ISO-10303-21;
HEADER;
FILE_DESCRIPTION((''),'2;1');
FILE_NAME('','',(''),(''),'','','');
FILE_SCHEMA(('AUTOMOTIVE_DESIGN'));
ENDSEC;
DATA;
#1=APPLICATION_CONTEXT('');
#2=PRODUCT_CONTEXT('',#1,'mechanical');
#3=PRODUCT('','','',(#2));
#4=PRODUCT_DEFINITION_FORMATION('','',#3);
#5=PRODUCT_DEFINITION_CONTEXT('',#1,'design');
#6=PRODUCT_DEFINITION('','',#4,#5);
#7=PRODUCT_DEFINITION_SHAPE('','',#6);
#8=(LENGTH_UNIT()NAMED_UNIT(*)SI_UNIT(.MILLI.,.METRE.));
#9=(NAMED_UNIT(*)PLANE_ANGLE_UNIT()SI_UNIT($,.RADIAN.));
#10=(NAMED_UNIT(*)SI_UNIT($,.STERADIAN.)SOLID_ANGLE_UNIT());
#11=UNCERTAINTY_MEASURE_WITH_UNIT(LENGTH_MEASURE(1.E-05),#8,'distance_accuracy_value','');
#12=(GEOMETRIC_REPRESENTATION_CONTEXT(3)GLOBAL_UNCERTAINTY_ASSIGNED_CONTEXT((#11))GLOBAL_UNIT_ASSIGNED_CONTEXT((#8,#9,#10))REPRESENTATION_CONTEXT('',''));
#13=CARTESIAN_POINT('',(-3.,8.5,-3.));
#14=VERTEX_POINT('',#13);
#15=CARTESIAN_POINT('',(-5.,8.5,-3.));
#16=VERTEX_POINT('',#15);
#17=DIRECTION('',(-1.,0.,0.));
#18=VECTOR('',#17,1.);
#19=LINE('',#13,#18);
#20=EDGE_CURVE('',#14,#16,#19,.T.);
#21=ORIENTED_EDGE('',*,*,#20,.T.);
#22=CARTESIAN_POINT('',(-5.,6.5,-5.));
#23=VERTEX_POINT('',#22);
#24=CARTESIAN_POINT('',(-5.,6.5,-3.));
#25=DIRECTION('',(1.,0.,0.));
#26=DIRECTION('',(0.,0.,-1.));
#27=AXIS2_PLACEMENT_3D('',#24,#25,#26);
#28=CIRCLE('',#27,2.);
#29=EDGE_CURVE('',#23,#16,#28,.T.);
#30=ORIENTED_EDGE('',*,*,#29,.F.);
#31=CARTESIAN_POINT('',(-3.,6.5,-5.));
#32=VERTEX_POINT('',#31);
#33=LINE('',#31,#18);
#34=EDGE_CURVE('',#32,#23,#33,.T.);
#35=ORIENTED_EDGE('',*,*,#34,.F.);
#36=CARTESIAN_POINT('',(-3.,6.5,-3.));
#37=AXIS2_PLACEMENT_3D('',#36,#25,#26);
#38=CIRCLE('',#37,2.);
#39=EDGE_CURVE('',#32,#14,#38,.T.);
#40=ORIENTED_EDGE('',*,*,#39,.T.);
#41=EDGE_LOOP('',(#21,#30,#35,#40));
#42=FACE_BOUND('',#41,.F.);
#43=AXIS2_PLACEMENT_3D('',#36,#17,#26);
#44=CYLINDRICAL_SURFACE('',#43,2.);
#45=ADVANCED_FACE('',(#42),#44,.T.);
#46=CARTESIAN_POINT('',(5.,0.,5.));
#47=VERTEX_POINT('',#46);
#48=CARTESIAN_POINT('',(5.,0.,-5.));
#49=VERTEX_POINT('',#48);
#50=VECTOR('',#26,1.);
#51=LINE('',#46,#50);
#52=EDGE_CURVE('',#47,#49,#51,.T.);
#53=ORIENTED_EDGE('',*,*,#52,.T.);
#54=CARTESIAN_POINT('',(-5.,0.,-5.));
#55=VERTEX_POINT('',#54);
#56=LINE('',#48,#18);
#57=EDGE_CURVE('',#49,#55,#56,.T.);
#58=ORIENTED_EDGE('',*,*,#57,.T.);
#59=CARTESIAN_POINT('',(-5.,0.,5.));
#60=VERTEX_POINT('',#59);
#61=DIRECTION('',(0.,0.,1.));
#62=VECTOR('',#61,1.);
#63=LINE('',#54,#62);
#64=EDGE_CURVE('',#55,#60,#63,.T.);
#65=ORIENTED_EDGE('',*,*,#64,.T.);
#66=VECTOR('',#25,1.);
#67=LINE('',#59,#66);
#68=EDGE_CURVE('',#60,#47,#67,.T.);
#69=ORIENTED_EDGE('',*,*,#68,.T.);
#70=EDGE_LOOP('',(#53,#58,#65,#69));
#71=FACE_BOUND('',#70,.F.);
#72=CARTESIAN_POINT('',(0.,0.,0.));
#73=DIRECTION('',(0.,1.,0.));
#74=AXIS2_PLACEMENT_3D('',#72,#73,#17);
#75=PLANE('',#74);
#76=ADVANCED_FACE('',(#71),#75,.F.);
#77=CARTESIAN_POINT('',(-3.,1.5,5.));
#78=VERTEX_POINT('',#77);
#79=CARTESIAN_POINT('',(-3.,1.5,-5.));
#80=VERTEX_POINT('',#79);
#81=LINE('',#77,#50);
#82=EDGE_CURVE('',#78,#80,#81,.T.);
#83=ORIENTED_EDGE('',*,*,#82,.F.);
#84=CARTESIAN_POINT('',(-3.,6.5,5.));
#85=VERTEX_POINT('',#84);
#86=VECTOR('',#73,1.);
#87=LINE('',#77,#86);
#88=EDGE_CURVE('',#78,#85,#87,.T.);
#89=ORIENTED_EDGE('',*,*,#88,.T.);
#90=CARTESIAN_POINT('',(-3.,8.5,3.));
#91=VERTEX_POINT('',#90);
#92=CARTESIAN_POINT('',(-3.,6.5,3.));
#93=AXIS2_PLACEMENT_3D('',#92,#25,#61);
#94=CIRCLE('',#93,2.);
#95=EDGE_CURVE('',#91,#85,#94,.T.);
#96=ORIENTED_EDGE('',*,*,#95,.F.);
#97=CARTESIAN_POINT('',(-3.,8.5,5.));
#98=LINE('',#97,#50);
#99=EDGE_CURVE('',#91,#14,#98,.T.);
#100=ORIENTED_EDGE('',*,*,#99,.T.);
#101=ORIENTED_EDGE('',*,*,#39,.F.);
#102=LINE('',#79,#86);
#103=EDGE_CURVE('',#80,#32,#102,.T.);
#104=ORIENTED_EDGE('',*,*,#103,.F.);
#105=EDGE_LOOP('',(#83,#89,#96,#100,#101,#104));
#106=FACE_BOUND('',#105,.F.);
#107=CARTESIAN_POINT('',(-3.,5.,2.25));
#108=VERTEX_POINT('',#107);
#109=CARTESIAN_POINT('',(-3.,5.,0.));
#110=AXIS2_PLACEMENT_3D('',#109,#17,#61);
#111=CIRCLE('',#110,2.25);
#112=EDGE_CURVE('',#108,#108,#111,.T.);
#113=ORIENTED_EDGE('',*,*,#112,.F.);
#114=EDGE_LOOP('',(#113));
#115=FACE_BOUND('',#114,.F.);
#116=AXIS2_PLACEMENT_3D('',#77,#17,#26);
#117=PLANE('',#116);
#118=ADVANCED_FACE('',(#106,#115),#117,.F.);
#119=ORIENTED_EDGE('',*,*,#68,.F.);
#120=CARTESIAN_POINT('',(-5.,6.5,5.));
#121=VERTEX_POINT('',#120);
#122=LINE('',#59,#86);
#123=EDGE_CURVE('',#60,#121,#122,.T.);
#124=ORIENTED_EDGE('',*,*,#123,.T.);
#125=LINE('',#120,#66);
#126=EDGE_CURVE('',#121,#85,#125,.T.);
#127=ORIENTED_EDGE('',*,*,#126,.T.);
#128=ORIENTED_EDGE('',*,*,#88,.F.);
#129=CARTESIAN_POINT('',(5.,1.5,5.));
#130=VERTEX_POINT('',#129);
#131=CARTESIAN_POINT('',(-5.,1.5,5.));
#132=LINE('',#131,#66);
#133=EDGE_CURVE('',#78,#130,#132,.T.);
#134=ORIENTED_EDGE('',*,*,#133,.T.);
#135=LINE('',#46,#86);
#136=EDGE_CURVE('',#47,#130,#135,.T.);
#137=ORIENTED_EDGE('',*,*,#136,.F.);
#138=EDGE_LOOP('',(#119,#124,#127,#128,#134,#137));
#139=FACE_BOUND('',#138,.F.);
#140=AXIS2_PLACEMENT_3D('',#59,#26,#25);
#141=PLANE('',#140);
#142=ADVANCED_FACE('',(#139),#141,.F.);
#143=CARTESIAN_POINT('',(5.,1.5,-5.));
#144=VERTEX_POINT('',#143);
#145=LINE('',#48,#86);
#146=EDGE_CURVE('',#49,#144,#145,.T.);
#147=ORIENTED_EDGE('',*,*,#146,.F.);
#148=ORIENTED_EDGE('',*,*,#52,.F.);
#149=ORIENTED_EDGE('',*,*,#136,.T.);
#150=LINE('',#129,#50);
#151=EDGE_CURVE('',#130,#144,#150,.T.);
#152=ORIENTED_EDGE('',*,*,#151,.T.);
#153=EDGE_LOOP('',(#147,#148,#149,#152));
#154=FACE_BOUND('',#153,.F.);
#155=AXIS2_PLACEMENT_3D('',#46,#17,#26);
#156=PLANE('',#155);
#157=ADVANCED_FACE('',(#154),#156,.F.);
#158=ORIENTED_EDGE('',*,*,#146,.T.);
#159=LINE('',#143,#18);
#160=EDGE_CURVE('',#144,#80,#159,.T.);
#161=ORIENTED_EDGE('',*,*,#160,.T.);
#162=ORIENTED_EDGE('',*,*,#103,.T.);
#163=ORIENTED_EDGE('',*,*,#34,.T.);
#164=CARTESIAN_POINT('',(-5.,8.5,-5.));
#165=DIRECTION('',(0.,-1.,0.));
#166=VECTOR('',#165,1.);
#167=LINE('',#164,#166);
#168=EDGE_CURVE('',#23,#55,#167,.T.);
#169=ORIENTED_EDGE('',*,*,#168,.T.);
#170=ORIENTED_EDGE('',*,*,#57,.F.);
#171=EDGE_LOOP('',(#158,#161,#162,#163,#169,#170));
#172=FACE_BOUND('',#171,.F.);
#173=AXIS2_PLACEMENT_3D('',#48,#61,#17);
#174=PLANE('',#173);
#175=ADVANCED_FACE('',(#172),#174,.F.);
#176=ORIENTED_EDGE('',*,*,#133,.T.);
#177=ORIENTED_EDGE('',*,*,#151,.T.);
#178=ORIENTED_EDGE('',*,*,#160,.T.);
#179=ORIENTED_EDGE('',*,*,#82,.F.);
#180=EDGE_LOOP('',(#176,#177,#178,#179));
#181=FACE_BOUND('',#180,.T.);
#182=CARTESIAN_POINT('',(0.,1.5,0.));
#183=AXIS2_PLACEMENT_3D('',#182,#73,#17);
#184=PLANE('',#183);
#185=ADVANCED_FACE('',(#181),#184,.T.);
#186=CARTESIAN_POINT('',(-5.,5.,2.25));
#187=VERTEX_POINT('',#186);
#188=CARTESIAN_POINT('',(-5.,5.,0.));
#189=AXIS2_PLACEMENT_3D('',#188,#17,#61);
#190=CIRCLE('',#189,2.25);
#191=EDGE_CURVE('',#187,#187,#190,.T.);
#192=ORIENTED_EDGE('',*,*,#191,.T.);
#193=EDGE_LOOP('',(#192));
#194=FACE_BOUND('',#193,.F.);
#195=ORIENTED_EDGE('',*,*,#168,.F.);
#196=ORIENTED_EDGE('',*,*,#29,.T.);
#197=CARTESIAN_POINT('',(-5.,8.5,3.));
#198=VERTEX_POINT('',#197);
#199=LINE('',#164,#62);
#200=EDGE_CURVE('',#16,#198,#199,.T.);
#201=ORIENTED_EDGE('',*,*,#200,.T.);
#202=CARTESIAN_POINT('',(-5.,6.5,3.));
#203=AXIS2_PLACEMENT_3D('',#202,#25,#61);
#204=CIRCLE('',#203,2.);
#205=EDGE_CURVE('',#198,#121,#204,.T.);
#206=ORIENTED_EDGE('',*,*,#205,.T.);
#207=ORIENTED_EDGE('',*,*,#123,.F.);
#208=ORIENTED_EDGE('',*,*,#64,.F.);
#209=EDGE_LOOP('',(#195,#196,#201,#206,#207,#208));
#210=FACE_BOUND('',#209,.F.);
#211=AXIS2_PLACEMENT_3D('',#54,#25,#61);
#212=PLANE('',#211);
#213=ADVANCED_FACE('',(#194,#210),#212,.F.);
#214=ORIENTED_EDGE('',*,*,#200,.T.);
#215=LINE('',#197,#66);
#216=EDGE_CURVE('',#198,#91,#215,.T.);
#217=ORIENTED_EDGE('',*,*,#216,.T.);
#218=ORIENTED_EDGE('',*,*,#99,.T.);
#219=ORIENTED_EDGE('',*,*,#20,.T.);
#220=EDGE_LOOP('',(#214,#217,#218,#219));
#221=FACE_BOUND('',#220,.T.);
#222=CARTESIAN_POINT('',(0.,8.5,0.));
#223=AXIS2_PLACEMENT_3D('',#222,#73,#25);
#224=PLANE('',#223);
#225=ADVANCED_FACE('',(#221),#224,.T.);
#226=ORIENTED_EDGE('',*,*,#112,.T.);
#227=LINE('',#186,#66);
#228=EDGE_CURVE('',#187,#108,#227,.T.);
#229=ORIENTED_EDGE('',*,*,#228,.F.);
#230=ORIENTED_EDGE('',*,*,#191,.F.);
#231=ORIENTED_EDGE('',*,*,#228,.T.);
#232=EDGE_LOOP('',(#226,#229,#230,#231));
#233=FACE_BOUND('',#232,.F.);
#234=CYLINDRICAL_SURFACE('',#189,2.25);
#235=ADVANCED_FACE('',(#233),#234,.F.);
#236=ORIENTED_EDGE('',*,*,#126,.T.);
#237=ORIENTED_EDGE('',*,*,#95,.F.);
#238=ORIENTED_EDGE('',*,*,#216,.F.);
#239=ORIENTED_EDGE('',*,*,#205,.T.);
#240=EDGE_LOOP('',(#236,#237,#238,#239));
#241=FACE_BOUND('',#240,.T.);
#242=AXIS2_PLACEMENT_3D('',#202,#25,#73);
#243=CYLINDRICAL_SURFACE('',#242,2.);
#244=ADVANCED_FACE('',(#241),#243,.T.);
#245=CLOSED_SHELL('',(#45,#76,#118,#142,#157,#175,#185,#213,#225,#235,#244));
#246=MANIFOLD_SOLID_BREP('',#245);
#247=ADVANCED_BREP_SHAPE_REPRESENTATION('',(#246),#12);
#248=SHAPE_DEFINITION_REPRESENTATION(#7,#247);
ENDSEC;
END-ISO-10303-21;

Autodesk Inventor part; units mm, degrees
ref_plane "YZ Plane" through (0, 0, 0) normal (1, 0, 0) x (0, 1, 0)
ref_plane "XZ Plane" through (0, 0, 0) normal (0, 1, 0) x (-1, 0, 0)
ref_plane "XY Plane" through (0, 0, 0) normal (0, 0, 1) x (1, 0, 0)
sketch "Sketch1" plane through (0, 0, 0) normal (0, 1, 0) x (-1, 0, 0)
  line L0 (5, 5) -> (-5, 5)
  line L1 (-5, 5) -> (-5, -5)
  line L2 (-5, -5) -> (5, -5)
  line L3 (5, -5) -> (5, 5)
  line L4 (5, 5) -> (-5, -5) construction
  line L5 (-5, 5) -> (5, -5) construction
  point P0 (0, 0)
  dimension "d0" = 10
  dimension "d1" = 10
extrude "Extrusion1" add sketch "Sketch1" along normal blind 1.5
sketch "Sketch2" plane through (0, 1.5, 0) normal (0, 1, 0) x (1, 0, 0)
  line L0 (-5, -5) -> (5, -5) projected
  line L1 (5, 5) -> (-5, 5) projected
  line L2 (-5, -5) -> (-3, -5)
  line L3 (-3, -5) -> (-3, 5)
  line L4 (-3, 5) -> (-5, 5)
  line L5 (-5, 5) -> (-5, -5)
  point P0 (0, 0)
  dimension "d4" = 2
extrude "Extrusion2" add sketch "Sketch2" along normal blind 7
sketch "Sketch3" plane through (-5, 0, -5) normal (-1, 0, 0) x (0, 0, 1)
  circle A0 centre (5, 5) radius 2.25
  line L0 (0, 0) -> (10, 0) projected
  line L1 (0, 0) -> (0, 8.5) projected
  point P0 (5, 0)
  dimension "d7" = 4.5
  dimension "d8" = 5
  dimension "d9" = 5
extrude "Extrusion3" cut sketch "Sketch3" against normal through all
fillet "Fillet1" radius 2 2 edges at (-4, 8.5, 5) (-4, 8.5, -5)
properties part number "screw_holder"
